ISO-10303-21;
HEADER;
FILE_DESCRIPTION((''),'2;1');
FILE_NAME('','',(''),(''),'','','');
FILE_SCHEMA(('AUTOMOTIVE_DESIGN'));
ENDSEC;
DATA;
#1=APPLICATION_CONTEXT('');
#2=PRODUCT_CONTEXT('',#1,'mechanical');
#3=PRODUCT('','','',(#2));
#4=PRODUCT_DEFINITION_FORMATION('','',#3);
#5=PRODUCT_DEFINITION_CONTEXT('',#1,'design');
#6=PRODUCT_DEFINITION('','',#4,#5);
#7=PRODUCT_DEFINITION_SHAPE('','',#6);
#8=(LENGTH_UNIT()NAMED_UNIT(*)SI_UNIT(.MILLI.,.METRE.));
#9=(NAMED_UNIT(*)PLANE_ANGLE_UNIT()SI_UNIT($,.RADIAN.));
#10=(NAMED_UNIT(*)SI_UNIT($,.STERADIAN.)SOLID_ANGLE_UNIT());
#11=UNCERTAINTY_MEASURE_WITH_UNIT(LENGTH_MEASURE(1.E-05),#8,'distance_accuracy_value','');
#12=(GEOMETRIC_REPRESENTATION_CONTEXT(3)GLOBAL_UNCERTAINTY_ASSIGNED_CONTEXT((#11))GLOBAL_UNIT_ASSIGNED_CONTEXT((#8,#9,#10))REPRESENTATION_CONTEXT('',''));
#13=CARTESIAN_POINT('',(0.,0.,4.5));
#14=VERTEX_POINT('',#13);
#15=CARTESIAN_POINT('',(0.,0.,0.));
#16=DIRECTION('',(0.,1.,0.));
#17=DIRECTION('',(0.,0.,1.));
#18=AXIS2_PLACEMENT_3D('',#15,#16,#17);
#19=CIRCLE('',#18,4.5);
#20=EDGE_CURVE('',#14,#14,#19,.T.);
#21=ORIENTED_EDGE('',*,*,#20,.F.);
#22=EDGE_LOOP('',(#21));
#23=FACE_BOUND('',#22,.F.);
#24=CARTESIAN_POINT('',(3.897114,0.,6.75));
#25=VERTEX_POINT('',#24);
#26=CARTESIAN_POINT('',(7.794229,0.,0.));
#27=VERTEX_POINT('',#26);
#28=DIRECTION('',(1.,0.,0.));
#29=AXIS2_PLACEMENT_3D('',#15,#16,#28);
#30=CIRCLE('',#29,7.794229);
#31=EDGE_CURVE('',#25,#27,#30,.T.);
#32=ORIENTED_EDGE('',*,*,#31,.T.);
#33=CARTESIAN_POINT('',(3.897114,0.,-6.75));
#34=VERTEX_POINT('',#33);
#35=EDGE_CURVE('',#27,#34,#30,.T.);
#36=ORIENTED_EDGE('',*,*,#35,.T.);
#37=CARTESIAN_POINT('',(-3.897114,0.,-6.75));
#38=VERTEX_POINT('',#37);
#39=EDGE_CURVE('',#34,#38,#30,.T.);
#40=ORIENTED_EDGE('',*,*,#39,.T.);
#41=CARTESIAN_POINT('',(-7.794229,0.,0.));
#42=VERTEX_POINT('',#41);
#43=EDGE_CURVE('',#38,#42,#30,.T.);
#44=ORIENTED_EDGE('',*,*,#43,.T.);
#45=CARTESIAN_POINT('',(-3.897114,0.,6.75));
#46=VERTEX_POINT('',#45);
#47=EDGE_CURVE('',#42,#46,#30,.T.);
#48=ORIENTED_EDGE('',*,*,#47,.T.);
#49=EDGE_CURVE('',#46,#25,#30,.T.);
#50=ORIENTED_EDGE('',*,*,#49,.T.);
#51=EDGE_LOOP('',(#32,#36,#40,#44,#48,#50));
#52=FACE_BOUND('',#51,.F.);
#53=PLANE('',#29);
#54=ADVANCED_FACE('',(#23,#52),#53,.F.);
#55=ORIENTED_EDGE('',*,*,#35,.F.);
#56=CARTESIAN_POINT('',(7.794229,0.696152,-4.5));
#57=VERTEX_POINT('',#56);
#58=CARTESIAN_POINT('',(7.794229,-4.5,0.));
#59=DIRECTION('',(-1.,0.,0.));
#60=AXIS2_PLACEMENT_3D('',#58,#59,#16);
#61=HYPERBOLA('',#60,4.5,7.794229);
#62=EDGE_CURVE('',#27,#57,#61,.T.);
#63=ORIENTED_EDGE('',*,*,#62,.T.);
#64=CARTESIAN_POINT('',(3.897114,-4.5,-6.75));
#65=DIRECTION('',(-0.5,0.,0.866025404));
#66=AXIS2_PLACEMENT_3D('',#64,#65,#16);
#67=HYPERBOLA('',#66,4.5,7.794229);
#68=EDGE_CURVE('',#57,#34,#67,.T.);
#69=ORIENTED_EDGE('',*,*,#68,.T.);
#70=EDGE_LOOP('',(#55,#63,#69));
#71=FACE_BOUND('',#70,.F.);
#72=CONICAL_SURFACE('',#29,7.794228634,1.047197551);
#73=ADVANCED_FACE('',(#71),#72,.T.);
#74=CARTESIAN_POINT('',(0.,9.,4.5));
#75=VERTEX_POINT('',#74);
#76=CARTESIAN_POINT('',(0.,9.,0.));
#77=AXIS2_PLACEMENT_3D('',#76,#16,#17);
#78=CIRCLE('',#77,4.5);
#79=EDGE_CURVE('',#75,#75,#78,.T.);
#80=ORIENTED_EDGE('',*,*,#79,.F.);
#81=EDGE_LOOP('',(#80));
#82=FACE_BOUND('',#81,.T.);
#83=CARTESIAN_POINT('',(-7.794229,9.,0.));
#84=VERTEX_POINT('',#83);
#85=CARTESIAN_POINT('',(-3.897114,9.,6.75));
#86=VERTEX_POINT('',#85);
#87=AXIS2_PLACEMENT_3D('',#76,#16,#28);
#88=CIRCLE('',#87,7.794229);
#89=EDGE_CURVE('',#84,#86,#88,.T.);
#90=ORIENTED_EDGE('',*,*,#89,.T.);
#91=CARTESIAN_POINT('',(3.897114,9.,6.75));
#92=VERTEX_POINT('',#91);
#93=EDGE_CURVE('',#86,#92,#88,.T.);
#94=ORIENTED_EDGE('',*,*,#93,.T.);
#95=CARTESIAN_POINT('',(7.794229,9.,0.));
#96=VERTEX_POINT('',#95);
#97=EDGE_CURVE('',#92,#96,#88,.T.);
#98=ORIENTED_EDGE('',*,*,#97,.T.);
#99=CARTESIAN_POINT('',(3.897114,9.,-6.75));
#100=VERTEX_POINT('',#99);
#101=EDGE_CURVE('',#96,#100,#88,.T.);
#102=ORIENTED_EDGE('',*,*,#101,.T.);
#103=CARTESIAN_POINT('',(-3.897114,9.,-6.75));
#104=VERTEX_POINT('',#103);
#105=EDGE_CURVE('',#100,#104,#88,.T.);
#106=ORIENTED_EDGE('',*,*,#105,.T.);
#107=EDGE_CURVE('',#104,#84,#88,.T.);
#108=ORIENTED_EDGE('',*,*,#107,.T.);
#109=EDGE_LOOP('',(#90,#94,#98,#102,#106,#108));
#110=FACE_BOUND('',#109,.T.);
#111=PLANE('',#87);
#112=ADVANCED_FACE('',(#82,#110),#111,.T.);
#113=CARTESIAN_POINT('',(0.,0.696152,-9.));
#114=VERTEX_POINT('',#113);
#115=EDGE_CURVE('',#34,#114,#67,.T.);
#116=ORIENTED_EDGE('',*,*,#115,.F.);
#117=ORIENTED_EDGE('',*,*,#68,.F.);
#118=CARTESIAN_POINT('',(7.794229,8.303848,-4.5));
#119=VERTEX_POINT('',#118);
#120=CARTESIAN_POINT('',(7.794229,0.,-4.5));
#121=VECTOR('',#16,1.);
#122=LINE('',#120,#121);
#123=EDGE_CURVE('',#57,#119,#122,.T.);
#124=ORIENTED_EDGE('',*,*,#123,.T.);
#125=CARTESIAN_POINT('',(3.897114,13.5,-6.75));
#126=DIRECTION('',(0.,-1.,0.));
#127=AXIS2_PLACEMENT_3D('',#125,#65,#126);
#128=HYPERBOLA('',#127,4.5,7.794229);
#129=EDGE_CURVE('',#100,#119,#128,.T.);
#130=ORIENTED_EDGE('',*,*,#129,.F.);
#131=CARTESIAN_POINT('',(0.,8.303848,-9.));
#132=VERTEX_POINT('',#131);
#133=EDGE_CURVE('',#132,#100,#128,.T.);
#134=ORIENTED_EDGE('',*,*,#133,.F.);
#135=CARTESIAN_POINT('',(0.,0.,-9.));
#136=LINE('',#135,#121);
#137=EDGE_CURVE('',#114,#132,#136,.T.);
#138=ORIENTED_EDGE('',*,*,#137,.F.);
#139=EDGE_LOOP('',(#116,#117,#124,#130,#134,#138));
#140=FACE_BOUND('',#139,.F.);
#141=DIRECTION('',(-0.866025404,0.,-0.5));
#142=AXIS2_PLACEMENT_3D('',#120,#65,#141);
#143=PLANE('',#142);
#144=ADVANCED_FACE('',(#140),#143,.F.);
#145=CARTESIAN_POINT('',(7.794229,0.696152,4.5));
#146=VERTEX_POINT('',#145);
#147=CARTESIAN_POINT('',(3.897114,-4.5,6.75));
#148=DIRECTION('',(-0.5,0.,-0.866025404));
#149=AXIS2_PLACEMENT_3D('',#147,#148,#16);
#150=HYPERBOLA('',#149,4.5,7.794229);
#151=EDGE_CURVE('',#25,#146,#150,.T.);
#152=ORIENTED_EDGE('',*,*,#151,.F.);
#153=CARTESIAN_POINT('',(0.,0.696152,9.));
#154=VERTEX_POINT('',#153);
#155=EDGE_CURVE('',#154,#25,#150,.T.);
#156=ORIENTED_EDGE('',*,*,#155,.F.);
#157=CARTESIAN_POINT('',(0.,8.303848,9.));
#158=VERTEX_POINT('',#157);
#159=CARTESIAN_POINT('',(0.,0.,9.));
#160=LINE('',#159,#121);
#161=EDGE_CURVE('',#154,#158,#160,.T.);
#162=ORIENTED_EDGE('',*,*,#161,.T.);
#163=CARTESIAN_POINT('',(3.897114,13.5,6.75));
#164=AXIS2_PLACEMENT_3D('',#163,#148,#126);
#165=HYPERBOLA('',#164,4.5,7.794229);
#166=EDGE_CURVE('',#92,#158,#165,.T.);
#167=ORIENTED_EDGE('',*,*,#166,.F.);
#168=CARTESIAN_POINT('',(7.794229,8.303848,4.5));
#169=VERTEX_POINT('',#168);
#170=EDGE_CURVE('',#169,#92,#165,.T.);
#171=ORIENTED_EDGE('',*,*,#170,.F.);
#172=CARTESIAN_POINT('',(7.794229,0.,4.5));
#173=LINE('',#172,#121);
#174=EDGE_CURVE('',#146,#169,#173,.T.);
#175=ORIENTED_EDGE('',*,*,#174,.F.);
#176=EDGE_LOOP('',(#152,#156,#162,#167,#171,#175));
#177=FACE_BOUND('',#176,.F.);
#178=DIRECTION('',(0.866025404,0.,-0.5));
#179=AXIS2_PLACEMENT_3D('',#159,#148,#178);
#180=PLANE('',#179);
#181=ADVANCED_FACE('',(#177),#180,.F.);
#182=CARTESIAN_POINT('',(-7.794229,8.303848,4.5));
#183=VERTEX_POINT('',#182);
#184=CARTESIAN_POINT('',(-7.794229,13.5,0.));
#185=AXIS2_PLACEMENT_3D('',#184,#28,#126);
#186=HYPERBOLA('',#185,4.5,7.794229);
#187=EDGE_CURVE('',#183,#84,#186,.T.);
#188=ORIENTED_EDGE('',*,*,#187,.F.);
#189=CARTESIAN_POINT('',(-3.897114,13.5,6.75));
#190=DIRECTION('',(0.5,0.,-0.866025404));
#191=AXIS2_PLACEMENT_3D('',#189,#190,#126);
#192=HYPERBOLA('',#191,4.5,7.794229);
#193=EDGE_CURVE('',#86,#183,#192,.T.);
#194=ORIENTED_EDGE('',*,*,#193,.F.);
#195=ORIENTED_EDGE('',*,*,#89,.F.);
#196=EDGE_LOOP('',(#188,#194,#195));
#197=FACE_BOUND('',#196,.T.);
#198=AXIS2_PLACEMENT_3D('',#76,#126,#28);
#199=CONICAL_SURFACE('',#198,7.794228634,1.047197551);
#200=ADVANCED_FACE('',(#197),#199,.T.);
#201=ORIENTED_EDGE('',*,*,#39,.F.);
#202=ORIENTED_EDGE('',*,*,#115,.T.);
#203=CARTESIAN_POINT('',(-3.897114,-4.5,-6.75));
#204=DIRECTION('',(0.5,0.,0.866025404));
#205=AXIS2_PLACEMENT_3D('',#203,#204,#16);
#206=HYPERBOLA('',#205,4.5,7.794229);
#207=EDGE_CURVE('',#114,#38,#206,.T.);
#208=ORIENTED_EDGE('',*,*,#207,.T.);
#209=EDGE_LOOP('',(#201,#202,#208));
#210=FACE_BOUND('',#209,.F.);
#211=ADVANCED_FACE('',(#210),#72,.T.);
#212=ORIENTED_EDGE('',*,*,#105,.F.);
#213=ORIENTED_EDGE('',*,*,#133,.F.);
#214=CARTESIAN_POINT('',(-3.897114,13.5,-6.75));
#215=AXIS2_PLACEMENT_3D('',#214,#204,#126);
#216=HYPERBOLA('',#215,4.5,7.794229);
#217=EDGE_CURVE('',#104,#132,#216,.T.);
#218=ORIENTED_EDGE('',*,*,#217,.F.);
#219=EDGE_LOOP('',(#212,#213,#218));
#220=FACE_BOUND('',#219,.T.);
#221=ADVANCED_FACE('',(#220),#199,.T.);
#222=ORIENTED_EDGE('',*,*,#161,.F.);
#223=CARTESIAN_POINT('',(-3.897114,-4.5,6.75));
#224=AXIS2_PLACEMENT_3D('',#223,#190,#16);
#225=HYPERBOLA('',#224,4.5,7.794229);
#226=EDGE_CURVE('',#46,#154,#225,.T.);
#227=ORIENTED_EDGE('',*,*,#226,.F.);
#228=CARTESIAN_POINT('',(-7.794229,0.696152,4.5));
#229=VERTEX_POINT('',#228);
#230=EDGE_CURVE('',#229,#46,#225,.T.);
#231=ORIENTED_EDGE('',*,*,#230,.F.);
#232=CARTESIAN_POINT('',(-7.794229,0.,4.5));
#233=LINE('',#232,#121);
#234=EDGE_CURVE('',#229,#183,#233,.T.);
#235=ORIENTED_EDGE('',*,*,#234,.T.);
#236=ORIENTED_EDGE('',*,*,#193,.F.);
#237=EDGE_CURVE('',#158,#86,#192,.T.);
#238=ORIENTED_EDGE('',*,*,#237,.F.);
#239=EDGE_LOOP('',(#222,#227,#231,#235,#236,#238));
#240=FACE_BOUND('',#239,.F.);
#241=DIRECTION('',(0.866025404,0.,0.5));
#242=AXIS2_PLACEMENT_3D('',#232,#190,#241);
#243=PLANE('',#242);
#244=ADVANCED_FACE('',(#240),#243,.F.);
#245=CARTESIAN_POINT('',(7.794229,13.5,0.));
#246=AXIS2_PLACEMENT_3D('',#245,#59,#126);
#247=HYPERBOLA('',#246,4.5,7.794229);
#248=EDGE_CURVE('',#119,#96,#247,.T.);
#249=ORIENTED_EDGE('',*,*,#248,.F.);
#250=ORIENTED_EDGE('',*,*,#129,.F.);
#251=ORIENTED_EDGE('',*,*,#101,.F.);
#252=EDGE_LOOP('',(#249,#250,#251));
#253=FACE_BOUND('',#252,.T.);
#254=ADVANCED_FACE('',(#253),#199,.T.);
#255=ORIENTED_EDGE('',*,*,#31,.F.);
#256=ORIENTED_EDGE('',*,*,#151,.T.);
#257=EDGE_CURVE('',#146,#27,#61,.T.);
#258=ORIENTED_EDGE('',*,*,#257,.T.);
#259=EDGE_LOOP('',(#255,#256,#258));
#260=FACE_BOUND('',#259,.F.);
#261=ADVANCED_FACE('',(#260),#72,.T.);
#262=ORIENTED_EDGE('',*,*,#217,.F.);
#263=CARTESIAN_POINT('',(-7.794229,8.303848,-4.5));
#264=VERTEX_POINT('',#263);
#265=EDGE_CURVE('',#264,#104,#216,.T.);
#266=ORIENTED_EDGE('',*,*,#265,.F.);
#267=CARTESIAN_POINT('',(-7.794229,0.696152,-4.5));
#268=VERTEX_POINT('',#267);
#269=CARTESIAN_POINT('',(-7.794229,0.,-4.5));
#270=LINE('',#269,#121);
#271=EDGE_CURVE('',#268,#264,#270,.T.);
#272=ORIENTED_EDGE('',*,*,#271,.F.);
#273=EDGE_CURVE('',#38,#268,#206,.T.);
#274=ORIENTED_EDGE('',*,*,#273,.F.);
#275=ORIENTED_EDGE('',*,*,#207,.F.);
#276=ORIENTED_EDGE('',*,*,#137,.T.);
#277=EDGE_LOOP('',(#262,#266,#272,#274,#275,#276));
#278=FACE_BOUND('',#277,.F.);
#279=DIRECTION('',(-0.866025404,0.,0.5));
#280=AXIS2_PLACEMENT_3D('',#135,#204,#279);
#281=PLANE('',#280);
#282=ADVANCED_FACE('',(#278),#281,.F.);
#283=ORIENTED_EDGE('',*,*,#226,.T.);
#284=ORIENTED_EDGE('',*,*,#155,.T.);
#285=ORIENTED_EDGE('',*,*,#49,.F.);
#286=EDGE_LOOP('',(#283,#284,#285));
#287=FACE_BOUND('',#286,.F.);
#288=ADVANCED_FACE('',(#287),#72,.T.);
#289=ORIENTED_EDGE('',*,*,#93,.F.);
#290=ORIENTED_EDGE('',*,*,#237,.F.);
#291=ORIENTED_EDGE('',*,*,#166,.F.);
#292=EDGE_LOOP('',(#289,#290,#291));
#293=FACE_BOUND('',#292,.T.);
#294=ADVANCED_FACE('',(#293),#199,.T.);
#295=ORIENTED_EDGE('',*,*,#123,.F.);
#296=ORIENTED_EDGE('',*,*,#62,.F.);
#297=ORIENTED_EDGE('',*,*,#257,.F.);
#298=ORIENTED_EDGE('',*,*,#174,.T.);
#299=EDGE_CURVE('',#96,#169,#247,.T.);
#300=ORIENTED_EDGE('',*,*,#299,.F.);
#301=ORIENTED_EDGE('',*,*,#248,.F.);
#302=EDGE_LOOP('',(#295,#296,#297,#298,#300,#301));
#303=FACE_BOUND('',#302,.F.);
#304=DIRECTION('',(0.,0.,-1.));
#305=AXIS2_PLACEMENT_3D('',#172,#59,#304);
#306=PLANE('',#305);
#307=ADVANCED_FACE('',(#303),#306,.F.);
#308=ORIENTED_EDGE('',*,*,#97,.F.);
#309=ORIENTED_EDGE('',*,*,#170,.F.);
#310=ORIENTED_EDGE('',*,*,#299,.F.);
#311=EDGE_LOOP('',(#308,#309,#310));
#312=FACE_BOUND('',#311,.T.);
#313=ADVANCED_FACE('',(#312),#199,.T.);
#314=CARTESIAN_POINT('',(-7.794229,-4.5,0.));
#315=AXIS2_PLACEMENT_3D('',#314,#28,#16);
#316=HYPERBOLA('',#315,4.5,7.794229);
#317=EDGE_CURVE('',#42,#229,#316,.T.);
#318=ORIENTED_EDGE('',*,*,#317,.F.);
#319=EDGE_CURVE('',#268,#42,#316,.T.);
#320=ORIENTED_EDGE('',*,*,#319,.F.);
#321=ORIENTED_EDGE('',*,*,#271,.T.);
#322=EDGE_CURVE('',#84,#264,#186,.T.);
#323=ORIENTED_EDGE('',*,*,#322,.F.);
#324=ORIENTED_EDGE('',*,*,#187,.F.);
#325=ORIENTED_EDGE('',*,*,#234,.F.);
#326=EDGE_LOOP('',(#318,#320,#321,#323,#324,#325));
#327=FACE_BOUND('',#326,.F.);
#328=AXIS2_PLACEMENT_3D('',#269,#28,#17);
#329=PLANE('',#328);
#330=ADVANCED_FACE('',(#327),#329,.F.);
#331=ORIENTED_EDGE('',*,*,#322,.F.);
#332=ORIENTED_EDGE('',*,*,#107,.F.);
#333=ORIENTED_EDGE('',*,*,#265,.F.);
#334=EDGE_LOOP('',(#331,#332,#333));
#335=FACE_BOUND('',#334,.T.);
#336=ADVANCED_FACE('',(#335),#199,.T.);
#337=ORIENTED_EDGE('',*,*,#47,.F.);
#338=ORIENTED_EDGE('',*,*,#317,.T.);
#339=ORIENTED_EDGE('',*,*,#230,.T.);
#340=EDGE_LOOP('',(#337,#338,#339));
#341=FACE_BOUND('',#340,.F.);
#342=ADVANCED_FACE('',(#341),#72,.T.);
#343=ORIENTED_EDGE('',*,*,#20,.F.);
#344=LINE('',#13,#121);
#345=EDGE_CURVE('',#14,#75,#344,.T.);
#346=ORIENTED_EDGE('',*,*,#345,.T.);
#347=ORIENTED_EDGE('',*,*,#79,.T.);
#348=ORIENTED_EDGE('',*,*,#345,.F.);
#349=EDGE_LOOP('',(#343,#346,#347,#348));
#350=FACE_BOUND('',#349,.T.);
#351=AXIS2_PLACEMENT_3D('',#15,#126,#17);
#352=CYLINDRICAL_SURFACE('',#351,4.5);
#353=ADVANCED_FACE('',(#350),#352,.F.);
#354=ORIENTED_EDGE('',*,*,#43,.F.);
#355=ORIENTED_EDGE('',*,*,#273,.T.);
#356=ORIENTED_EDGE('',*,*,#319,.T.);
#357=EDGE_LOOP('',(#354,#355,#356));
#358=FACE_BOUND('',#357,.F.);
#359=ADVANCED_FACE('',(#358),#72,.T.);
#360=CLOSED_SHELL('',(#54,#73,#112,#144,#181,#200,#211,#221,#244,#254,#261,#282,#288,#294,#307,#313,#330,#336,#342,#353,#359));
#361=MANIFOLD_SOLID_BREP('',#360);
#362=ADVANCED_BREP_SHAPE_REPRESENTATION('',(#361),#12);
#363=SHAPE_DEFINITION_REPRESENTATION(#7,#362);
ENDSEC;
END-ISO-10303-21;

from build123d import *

# Parameters (mm, degrees)
SKETCH1_R                    = 4.5
BOSS_EXTRUDE1_DEPTH          = 9
SKETCH2_OUTSIDE_W            = 29.608
SKETCH2_OUTSIDE_H            = 32.02
SKETCH2_OUTSIDE_R            = 7.794228634
CUT_EXTRUDE3_DEPTH           = 1
CUT_EXTRUDE3_TAPER           = 60
CUT_EXTRUDE3_OTHER_WAY_DEPTH = 1
CUT_EXTRUDE3_OTHER_WAY_TAPER = 60


with BuildPart() as part:
    # Sketch1 → Boss-Extrude1 (new body)
    with BuildSketch(Plane(origin=(0, 0, 0), x_dir=(1, 0, 0), z_dir=(0, 1, 0))):
        Polygon((7.794228634, 4.5), (0, 9), (-7.794228634, 4.5), (-7.794228634, -4.5), (0, -9), (7.794228634, -4.5), align=None)
        with Locations(Location((0, 0, 0), (0, 0, 270))):  # turned: the seam where the file's is
            Circle(SKETCH1_R, mode=Mode.SUBTRACT)
    extrude(amount=BOSS_EXTRUDE1_DEPTH)

    # Sketch2 outside → Cut-Extrude3 (cut)
    with BuildSketch(Plane(origin=(0, 0, 0), x_dir=(1, 0, 0), z_dir=(0, 1, 0))):
        Rectangle(SKETCH2_OUTSIDE_W, SKETCH2_OUTSIDE_H)
        Circle(SKETCH2_OUTSIDE_R, mode=Mode.SUBTRACT)
    cut_extrude3 = extrude(amount=CUT_EXTRUDE3_DEPTH, taper=CUT_EXTRUDE3_TAPER, mode=Mode.SUBTRACT)

    # Sketch2 outside → Cut-Extrude3 other way (cut)
    with BuildSketch(Plane(origin=(0, 0, 0), x_dir=(1, 0, 0), z_dir=(0, 1, 0))):
        Rectangle(SKETCH2_OUTSIDE_W, SKETCH2_OUTSIDE_H)
        Circle(SKETCH2_OUTSIDE_R, mode=Mode.SUBTRACT)
    extrude(amount=-CUT_EXTRUDE3_OTHER_WAY_DEPTH, taper=CUT_EXTRUDE3_OTHER_WAY_TAPER, mode=Mode.SUBTRACT)

    # Mirror2: Cut-Extrude3 across plane
    add(cut_extrude3.mirror(Plane.ZX.offset(4.5)), mode=Mode.SUBTRACT)


solid = part.part
